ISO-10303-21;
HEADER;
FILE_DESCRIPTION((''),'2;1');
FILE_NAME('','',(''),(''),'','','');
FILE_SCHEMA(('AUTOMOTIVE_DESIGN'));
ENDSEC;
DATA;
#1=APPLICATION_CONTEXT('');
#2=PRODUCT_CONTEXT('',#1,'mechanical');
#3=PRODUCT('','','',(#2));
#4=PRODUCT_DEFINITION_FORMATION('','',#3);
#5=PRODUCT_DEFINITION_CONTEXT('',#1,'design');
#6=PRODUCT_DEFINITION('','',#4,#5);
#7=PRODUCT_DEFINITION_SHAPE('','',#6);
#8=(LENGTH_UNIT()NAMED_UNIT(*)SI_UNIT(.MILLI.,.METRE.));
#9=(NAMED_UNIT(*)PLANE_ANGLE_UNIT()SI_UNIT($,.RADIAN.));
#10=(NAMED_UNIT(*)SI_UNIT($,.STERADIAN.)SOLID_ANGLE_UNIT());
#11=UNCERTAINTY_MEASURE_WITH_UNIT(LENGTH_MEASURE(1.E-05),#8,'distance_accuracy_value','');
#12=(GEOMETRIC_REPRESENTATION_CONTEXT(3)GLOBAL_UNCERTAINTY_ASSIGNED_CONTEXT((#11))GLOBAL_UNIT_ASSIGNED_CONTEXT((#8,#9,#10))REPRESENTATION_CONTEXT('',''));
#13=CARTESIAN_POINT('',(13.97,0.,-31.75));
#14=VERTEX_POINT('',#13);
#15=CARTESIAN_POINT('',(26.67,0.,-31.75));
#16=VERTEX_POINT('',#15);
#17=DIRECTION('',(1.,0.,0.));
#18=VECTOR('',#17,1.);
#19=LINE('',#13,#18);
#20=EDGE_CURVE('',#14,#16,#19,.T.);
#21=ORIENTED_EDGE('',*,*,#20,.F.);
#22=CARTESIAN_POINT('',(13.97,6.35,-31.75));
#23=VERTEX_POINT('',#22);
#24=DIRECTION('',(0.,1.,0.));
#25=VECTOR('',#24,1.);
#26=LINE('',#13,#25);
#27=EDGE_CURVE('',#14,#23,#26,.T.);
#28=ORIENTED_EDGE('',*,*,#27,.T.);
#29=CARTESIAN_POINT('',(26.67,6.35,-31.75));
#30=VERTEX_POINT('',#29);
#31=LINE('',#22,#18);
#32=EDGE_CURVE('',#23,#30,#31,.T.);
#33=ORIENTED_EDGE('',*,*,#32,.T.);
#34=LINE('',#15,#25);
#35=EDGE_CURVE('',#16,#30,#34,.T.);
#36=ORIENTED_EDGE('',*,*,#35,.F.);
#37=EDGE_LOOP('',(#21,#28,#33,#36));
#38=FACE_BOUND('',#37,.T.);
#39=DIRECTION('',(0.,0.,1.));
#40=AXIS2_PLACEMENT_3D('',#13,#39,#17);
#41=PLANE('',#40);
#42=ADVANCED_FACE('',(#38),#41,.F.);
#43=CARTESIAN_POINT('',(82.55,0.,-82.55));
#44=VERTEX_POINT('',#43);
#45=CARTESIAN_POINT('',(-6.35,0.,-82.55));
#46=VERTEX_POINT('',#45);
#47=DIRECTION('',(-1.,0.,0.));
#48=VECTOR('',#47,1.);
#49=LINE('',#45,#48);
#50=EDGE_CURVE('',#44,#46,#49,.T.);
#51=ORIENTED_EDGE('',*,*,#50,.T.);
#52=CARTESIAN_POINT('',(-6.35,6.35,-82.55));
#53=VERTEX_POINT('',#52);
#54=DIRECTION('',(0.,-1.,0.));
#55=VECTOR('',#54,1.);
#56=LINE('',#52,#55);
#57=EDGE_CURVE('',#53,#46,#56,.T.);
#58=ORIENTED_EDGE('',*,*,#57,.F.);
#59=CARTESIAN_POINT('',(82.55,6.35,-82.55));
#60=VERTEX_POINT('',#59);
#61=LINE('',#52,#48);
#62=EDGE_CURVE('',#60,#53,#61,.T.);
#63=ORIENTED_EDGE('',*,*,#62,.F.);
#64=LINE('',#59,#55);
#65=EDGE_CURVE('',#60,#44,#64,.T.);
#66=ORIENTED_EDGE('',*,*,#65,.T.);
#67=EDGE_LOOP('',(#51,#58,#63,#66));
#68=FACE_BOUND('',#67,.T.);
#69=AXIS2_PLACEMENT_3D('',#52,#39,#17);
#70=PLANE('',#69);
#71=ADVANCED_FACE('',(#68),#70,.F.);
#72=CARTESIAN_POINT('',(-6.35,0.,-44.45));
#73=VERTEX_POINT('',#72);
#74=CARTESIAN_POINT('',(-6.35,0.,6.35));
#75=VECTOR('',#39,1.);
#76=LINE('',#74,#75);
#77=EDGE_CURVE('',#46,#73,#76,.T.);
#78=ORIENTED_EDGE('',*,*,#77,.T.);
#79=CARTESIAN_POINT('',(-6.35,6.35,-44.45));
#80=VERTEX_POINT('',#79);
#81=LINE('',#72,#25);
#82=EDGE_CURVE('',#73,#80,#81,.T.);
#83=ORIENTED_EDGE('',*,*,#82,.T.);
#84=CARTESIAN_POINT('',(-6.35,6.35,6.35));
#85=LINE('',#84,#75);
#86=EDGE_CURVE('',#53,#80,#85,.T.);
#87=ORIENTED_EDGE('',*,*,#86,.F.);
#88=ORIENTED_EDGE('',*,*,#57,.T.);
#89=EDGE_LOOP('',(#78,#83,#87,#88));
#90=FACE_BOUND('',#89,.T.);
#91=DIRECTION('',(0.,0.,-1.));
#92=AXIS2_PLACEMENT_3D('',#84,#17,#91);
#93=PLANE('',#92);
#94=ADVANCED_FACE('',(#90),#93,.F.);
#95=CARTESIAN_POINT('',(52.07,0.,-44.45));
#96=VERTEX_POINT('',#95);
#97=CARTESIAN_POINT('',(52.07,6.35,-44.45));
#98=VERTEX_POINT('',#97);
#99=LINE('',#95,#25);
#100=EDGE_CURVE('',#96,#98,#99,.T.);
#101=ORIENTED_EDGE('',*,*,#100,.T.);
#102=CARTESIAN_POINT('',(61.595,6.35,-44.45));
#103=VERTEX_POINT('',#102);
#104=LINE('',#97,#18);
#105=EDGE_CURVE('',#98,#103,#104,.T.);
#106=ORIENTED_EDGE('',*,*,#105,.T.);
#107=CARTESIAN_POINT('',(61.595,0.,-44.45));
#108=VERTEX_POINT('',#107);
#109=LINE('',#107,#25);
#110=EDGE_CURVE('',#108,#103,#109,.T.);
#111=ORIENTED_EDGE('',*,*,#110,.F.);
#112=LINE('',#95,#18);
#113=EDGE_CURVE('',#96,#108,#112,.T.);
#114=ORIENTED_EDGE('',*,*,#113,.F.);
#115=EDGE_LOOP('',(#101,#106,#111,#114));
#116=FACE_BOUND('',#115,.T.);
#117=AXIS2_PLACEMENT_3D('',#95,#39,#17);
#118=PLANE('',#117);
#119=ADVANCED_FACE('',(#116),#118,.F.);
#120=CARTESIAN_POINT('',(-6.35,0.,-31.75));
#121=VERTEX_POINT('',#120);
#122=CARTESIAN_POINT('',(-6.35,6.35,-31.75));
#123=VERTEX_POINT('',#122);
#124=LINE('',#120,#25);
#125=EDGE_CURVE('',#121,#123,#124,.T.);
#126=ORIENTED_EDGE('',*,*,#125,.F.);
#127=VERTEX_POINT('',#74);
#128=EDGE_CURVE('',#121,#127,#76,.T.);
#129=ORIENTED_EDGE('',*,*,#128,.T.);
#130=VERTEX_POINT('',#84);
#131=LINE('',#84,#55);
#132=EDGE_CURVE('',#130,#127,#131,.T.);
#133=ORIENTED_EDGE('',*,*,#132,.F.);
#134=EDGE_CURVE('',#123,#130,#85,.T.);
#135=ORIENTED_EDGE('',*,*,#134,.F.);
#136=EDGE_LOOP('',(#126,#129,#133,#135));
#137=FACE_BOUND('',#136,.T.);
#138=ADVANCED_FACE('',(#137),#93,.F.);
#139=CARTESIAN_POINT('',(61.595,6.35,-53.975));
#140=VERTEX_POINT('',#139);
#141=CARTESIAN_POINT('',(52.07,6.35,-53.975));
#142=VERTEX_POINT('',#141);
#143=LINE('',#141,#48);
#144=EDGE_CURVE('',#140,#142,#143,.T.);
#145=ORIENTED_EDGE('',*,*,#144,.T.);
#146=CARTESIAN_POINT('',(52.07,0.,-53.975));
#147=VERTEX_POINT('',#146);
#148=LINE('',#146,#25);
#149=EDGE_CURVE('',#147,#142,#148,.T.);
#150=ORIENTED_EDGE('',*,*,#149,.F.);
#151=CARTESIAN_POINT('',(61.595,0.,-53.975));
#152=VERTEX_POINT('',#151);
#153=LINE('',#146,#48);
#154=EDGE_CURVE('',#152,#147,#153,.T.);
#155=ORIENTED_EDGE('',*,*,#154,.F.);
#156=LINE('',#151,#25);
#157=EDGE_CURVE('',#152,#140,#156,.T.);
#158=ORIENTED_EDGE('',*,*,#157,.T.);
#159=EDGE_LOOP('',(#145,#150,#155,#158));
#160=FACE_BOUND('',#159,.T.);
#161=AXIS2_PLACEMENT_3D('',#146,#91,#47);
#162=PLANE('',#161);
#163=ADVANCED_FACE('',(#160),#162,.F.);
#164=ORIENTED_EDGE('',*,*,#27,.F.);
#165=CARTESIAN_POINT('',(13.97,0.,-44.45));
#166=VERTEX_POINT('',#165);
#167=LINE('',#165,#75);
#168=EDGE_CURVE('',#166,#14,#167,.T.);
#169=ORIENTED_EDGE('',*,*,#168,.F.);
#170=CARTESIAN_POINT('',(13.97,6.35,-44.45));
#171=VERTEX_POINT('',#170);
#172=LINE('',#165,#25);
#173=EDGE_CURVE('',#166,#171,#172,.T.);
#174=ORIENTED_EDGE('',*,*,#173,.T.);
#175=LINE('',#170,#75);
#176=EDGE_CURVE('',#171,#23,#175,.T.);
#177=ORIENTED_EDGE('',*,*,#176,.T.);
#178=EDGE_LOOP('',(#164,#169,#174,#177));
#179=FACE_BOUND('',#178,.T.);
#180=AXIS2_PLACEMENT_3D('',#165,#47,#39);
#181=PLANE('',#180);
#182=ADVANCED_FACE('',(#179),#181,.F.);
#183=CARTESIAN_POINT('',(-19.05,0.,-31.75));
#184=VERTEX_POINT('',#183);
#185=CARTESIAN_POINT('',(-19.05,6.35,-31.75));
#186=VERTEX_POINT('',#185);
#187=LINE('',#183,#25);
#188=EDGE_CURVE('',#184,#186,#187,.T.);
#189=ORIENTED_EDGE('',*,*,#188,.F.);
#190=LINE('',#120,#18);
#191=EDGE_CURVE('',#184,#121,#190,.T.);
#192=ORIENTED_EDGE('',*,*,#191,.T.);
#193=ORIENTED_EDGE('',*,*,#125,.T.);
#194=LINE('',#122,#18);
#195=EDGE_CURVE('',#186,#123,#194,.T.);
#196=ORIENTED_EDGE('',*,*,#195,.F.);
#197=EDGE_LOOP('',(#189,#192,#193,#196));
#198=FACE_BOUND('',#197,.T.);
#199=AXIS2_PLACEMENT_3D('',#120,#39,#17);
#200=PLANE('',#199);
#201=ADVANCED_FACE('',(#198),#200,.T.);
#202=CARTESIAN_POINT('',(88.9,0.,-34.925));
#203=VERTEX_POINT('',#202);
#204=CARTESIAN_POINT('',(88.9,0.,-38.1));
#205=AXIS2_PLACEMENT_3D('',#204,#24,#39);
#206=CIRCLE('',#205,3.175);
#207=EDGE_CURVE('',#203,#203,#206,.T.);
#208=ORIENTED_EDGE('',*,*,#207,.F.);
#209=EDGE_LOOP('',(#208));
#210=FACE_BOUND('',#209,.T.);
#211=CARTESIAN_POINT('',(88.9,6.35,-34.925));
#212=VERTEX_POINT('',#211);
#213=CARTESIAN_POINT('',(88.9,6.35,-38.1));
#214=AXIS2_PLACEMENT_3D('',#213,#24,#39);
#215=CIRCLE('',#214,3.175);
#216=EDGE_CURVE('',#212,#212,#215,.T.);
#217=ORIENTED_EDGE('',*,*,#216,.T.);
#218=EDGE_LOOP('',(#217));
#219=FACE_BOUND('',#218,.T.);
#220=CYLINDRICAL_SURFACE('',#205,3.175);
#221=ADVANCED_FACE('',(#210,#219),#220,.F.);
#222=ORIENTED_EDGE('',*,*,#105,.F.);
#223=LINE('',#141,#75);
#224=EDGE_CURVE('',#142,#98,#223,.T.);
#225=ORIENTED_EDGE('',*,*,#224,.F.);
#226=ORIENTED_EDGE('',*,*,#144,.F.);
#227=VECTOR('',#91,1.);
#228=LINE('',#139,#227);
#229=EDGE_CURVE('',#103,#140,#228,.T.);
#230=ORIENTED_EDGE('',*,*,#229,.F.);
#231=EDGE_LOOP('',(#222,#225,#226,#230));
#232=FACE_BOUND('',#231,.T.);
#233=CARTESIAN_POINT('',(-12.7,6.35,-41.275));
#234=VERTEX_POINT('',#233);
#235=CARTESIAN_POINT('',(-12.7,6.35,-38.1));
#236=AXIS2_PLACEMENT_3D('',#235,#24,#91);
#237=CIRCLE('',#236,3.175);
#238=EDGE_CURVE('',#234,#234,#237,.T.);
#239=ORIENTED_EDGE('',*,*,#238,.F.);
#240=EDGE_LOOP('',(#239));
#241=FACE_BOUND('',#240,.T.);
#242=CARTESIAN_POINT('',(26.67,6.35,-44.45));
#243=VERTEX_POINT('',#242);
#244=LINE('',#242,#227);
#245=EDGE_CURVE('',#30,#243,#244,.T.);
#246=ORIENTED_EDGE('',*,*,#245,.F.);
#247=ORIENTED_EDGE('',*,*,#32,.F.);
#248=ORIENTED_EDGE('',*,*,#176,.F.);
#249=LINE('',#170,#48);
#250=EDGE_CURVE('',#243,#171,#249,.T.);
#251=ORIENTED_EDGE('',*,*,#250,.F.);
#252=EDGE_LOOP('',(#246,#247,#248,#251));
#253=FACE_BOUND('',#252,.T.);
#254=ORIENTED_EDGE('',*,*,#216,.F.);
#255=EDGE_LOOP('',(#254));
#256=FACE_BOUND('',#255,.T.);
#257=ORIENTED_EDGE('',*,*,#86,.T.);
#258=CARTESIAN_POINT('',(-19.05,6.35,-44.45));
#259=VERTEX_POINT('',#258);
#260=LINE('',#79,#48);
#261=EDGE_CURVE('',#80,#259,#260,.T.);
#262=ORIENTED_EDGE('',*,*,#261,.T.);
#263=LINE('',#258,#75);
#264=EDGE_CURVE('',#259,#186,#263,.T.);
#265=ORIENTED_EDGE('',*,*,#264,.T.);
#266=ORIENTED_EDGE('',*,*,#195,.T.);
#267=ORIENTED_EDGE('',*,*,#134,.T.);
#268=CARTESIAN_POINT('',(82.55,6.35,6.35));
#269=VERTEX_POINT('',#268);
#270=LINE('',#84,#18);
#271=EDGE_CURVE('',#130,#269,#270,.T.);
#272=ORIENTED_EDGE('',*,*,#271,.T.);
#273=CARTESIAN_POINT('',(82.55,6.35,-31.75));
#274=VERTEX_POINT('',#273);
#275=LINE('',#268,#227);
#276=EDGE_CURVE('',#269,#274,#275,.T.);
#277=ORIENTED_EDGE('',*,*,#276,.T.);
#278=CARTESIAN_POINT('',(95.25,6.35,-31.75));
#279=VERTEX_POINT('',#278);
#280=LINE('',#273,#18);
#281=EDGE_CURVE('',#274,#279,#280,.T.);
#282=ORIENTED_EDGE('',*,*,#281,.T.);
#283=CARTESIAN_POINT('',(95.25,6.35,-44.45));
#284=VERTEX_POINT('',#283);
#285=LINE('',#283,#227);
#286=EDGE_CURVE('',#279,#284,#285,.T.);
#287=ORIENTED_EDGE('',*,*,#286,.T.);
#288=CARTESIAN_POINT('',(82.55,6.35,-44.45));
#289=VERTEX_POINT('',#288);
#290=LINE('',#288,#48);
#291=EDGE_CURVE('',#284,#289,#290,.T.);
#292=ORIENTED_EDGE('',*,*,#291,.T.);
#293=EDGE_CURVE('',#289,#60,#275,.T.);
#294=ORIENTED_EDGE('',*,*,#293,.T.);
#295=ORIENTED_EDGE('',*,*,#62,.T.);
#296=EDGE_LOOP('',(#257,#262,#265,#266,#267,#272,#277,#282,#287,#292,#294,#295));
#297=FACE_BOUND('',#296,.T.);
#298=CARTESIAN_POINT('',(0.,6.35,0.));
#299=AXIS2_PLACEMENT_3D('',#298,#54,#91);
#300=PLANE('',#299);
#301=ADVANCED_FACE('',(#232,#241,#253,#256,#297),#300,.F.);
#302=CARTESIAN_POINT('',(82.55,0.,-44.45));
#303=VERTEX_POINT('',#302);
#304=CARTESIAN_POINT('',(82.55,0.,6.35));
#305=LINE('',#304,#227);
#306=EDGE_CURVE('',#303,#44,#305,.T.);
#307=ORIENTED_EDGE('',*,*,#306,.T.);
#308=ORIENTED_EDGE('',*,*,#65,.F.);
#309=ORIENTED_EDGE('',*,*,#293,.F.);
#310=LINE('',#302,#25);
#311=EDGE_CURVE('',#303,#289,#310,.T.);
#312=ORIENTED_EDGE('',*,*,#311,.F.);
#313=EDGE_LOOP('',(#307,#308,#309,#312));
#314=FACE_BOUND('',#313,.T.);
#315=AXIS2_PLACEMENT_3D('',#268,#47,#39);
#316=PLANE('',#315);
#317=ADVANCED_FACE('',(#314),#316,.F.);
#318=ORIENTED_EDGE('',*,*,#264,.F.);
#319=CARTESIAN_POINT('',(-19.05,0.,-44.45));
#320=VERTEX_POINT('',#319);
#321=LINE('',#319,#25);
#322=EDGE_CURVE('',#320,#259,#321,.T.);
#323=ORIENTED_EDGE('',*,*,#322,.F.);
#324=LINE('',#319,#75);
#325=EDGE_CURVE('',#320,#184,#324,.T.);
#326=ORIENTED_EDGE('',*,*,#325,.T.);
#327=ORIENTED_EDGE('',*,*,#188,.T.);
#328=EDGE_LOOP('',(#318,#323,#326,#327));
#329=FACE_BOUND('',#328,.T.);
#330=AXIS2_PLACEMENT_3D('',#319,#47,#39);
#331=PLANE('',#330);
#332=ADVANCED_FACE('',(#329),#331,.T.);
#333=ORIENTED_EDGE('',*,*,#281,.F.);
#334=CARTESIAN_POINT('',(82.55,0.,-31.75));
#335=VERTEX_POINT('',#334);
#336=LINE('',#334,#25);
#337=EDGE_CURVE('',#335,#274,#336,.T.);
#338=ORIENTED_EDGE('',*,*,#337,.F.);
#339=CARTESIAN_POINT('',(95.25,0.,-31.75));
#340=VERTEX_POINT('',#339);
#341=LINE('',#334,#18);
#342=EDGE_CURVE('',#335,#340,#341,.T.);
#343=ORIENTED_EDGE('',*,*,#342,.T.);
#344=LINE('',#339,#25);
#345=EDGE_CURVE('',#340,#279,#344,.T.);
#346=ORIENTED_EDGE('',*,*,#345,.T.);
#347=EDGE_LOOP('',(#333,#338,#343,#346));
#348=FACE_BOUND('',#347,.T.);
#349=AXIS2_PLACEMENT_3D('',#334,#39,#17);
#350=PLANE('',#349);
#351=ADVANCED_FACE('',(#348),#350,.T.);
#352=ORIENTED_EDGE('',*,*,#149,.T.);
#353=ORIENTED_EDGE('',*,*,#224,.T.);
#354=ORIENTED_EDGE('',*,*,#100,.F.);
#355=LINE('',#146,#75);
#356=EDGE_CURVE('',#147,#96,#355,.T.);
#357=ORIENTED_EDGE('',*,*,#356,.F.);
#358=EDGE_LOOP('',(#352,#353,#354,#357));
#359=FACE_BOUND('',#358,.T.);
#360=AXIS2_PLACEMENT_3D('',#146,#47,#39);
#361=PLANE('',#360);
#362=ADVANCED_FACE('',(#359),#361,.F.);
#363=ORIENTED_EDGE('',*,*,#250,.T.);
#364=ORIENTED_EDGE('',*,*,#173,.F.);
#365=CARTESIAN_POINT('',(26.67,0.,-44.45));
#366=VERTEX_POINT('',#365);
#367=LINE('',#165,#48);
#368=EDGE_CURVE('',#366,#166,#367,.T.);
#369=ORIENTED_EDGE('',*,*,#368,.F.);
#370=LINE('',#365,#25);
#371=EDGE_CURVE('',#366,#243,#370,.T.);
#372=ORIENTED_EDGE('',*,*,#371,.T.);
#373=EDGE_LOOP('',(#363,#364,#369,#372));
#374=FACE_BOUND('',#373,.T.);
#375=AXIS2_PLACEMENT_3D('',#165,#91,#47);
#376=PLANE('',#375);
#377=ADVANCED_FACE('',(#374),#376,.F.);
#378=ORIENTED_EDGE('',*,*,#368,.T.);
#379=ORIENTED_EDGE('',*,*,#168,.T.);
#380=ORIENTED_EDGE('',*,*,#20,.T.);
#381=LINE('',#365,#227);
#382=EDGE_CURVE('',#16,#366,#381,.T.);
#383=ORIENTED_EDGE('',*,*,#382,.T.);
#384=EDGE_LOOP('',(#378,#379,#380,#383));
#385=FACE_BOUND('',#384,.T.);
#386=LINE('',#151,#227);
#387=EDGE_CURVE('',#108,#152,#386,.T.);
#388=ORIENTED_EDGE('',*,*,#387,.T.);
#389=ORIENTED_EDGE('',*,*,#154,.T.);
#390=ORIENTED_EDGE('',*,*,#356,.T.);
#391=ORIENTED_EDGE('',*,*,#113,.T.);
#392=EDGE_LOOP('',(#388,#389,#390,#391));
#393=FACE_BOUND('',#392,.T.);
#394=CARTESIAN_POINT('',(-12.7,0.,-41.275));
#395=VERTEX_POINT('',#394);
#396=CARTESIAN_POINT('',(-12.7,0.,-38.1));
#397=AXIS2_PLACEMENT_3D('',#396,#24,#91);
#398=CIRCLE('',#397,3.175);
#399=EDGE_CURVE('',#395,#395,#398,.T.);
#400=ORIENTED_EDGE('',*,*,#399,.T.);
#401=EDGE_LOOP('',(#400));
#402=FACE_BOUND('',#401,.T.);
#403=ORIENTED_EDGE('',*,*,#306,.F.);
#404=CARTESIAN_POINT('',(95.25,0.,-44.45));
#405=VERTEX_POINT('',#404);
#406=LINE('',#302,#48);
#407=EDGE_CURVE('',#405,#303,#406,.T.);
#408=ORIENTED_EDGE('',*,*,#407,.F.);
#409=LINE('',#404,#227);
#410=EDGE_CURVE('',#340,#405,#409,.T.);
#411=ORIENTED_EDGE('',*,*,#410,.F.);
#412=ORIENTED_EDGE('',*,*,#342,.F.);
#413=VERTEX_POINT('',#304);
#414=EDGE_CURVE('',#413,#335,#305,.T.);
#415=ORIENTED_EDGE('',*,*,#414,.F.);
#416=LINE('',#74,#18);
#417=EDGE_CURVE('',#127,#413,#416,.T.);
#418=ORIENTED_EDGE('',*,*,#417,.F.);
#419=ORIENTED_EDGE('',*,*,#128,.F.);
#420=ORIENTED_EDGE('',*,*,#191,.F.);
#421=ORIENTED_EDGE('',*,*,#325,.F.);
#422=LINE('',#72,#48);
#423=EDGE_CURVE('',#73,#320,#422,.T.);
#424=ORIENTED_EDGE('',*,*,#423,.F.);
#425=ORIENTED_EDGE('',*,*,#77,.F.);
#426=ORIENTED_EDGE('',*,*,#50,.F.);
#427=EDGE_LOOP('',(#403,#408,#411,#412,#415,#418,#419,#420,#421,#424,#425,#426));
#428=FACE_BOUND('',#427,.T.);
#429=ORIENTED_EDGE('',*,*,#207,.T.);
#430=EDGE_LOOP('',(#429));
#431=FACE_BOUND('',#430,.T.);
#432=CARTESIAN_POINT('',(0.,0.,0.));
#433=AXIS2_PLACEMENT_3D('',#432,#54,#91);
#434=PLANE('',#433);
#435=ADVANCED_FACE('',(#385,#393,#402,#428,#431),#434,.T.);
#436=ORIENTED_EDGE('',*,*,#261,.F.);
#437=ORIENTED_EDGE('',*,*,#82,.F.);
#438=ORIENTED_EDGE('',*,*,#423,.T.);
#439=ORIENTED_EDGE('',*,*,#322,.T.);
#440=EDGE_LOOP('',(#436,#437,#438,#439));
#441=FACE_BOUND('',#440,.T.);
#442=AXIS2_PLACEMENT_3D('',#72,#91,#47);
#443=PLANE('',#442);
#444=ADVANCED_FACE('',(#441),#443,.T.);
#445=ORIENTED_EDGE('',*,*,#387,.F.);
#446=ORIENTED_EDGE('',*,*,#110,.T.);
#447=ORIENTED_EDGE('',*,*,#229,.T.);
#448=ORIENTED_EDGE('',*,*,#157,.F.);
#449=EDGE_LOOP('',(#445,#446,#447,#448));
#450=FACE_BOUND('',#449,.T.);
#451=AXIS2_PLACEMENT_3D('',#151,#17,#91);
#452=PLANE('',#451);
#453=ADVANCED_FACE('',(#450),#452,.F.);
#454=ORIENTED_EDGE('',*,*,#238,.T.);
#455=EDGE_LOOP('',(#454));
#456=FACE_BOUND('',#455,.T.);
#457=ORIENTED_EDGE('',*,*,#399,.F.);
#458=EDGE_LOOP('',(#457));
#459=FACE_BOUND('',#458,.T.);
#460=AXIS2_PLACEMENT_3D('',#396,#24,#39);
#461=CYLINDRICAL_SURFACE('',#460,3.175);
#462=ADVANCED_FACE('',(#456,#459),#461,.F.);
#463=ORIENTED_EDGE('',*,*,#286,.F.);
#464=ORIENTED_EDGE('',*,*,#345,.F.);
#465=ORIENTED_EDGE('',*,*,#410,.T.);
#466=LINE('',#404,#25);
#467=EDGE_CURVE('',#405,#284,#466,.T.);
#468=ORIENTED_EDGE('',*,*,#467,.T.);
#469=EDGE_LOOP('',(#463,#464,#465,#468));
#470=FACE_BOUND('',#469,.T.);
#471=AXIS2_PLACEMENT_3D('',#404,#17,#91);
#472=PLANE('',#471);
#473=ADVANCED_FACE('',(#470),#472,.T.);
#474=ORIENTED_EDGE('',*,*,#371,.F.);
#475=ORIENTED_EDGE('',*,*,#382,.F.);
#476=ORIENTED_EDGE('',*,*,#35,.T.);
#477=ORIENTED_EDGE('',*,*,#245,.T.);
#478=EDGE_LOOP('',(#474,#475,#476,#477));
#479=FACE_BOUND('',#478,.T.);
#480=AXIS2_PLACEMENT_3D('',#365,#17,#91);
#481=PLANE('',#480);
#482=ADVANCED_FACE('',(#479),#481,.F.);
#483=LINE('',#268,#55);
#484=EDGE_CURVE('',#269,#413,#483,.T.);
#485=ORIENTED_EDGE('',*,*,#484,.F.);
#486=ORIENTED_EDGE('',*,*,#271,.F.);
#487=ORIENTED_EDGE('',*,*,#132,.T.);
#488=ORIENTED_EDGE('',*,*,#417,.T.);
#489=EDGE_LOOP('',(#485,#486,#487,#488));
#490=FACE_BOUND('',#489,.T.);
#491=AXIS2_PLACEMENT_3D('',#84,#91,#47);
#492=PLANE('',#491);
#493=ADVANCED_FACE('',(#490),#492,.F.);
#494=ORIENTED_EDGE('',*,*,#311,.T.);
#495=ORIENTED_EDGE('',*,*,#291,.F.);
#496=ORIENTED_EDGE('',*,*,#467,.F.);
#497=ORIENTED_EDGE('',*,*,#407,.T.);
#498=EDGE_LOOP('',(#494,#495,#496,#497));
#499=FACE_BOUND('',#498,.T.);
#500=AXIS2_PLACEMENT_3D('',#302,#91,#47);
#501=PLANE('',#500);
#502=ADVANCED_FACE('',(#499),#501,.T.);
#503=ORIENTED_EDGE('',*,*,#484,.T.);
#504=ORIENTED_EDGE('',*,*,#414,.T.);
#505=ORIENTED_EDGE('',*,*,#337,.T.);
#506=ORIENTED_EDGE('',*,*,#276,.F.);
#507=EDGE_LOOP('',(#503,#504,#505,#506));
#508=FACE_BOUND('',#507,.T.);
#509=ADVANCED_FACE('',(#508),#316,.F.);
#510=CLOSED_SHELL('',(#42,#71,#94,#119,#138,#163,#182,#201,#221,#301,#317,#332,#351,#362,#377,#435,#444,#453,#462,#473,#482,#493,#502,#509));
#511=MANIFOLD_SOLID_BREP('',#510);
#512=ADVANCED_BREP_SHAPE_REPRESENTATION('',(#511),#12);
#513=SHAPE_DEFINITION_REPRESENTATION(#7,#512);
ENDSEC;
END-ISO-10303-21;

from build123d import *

# Parameters (mm, degrees)
SKETCH1_W           = 88.9
SKETCH1_H           = 88.9
BOSS_EXTRUDE1_DEPTH = 6.35
SKETCH3_W           = 12.7
SKETCH3_H           = 12.7
BOSS_EXTRUDE3_DEPTH = 6.35
SKETCH4_R           = 3.175
CUT_EXTRUDE1_DEPTH  = 7.35
SKETCH6_W           = 12.7
SKETCH6_H           = 12.7
SKETCH6_W_2         = 9.525
SKETCH6_H_2         = 9.525
CUT_EXTRUDE2_DEPTH  = 6.35


with BuildPart() as part:
    # Sketch1 → Boss-Extrude1 (new body)
    with BuildSketch(Plane(origin=(0, 0, 0), x_dir=(1, 0, 0), z_dir=(0, 1, 0))):
        with Locations((38.1, 38.1)):
            Rectangle(SKETCH1_W, SKETCH1_H)
    extrude(amount=BOSS_EXTRUDE1_DEPTH)

    # Sketch3 → Boss-Extrude3 (add)
    with BuildSketch(Plane(origin=(0, 6.35, 0), x_dir=(1, 0, 0), z_dir=(0, 1, 0))):
        with Locations((88.9, 38.1)):
            Rectangle(SKETCH3_W, SKETCH3_H)
        with Locations((-12.7, 38.1)):
            Rectangle(SKETCH3_W, SKETCH3_H)
    extrude(amount=-BOSS_EXTRUDE3_DEPTH)

    # Sketch4 → Cut-Extrude1 (cut, through all)
    with BuildSketch(Plane(origin=(0, 6.35, 0), x_dir=(1, 0, 0), z_dir=(0, 1, 0))):
        with Locations((88.9, 38.1)):
            Circle(SKETCH4_R)
        with Locations((-12.7, 38.1)):
            Circle(SKETCH4_R)
    extrude(amount=-CUT_EXTRUDE1_DEPTH, mode=Mode.SUBTRACT)

    # Sketch6 → Cut-Extrude2 (cut)
    with BuildSketch(Plane(origin=(0, 6.35, 0), x_dir=(1, 0, 0), z_dir=(0, 1, 0))):
        with Locations((20.32, 38.1)):
            Rectangle(SKETCH6_W, SKETCH6_H)
        with Locations((56.8325, 49.2125)):
            Rectangle(SKETCH6_W_2, SKETCH6_H_2)
    extrude(amount=-CUT_EXTRUDE2_DEPTH, mode=Mode.SUBTRACT)


solid = part.part
